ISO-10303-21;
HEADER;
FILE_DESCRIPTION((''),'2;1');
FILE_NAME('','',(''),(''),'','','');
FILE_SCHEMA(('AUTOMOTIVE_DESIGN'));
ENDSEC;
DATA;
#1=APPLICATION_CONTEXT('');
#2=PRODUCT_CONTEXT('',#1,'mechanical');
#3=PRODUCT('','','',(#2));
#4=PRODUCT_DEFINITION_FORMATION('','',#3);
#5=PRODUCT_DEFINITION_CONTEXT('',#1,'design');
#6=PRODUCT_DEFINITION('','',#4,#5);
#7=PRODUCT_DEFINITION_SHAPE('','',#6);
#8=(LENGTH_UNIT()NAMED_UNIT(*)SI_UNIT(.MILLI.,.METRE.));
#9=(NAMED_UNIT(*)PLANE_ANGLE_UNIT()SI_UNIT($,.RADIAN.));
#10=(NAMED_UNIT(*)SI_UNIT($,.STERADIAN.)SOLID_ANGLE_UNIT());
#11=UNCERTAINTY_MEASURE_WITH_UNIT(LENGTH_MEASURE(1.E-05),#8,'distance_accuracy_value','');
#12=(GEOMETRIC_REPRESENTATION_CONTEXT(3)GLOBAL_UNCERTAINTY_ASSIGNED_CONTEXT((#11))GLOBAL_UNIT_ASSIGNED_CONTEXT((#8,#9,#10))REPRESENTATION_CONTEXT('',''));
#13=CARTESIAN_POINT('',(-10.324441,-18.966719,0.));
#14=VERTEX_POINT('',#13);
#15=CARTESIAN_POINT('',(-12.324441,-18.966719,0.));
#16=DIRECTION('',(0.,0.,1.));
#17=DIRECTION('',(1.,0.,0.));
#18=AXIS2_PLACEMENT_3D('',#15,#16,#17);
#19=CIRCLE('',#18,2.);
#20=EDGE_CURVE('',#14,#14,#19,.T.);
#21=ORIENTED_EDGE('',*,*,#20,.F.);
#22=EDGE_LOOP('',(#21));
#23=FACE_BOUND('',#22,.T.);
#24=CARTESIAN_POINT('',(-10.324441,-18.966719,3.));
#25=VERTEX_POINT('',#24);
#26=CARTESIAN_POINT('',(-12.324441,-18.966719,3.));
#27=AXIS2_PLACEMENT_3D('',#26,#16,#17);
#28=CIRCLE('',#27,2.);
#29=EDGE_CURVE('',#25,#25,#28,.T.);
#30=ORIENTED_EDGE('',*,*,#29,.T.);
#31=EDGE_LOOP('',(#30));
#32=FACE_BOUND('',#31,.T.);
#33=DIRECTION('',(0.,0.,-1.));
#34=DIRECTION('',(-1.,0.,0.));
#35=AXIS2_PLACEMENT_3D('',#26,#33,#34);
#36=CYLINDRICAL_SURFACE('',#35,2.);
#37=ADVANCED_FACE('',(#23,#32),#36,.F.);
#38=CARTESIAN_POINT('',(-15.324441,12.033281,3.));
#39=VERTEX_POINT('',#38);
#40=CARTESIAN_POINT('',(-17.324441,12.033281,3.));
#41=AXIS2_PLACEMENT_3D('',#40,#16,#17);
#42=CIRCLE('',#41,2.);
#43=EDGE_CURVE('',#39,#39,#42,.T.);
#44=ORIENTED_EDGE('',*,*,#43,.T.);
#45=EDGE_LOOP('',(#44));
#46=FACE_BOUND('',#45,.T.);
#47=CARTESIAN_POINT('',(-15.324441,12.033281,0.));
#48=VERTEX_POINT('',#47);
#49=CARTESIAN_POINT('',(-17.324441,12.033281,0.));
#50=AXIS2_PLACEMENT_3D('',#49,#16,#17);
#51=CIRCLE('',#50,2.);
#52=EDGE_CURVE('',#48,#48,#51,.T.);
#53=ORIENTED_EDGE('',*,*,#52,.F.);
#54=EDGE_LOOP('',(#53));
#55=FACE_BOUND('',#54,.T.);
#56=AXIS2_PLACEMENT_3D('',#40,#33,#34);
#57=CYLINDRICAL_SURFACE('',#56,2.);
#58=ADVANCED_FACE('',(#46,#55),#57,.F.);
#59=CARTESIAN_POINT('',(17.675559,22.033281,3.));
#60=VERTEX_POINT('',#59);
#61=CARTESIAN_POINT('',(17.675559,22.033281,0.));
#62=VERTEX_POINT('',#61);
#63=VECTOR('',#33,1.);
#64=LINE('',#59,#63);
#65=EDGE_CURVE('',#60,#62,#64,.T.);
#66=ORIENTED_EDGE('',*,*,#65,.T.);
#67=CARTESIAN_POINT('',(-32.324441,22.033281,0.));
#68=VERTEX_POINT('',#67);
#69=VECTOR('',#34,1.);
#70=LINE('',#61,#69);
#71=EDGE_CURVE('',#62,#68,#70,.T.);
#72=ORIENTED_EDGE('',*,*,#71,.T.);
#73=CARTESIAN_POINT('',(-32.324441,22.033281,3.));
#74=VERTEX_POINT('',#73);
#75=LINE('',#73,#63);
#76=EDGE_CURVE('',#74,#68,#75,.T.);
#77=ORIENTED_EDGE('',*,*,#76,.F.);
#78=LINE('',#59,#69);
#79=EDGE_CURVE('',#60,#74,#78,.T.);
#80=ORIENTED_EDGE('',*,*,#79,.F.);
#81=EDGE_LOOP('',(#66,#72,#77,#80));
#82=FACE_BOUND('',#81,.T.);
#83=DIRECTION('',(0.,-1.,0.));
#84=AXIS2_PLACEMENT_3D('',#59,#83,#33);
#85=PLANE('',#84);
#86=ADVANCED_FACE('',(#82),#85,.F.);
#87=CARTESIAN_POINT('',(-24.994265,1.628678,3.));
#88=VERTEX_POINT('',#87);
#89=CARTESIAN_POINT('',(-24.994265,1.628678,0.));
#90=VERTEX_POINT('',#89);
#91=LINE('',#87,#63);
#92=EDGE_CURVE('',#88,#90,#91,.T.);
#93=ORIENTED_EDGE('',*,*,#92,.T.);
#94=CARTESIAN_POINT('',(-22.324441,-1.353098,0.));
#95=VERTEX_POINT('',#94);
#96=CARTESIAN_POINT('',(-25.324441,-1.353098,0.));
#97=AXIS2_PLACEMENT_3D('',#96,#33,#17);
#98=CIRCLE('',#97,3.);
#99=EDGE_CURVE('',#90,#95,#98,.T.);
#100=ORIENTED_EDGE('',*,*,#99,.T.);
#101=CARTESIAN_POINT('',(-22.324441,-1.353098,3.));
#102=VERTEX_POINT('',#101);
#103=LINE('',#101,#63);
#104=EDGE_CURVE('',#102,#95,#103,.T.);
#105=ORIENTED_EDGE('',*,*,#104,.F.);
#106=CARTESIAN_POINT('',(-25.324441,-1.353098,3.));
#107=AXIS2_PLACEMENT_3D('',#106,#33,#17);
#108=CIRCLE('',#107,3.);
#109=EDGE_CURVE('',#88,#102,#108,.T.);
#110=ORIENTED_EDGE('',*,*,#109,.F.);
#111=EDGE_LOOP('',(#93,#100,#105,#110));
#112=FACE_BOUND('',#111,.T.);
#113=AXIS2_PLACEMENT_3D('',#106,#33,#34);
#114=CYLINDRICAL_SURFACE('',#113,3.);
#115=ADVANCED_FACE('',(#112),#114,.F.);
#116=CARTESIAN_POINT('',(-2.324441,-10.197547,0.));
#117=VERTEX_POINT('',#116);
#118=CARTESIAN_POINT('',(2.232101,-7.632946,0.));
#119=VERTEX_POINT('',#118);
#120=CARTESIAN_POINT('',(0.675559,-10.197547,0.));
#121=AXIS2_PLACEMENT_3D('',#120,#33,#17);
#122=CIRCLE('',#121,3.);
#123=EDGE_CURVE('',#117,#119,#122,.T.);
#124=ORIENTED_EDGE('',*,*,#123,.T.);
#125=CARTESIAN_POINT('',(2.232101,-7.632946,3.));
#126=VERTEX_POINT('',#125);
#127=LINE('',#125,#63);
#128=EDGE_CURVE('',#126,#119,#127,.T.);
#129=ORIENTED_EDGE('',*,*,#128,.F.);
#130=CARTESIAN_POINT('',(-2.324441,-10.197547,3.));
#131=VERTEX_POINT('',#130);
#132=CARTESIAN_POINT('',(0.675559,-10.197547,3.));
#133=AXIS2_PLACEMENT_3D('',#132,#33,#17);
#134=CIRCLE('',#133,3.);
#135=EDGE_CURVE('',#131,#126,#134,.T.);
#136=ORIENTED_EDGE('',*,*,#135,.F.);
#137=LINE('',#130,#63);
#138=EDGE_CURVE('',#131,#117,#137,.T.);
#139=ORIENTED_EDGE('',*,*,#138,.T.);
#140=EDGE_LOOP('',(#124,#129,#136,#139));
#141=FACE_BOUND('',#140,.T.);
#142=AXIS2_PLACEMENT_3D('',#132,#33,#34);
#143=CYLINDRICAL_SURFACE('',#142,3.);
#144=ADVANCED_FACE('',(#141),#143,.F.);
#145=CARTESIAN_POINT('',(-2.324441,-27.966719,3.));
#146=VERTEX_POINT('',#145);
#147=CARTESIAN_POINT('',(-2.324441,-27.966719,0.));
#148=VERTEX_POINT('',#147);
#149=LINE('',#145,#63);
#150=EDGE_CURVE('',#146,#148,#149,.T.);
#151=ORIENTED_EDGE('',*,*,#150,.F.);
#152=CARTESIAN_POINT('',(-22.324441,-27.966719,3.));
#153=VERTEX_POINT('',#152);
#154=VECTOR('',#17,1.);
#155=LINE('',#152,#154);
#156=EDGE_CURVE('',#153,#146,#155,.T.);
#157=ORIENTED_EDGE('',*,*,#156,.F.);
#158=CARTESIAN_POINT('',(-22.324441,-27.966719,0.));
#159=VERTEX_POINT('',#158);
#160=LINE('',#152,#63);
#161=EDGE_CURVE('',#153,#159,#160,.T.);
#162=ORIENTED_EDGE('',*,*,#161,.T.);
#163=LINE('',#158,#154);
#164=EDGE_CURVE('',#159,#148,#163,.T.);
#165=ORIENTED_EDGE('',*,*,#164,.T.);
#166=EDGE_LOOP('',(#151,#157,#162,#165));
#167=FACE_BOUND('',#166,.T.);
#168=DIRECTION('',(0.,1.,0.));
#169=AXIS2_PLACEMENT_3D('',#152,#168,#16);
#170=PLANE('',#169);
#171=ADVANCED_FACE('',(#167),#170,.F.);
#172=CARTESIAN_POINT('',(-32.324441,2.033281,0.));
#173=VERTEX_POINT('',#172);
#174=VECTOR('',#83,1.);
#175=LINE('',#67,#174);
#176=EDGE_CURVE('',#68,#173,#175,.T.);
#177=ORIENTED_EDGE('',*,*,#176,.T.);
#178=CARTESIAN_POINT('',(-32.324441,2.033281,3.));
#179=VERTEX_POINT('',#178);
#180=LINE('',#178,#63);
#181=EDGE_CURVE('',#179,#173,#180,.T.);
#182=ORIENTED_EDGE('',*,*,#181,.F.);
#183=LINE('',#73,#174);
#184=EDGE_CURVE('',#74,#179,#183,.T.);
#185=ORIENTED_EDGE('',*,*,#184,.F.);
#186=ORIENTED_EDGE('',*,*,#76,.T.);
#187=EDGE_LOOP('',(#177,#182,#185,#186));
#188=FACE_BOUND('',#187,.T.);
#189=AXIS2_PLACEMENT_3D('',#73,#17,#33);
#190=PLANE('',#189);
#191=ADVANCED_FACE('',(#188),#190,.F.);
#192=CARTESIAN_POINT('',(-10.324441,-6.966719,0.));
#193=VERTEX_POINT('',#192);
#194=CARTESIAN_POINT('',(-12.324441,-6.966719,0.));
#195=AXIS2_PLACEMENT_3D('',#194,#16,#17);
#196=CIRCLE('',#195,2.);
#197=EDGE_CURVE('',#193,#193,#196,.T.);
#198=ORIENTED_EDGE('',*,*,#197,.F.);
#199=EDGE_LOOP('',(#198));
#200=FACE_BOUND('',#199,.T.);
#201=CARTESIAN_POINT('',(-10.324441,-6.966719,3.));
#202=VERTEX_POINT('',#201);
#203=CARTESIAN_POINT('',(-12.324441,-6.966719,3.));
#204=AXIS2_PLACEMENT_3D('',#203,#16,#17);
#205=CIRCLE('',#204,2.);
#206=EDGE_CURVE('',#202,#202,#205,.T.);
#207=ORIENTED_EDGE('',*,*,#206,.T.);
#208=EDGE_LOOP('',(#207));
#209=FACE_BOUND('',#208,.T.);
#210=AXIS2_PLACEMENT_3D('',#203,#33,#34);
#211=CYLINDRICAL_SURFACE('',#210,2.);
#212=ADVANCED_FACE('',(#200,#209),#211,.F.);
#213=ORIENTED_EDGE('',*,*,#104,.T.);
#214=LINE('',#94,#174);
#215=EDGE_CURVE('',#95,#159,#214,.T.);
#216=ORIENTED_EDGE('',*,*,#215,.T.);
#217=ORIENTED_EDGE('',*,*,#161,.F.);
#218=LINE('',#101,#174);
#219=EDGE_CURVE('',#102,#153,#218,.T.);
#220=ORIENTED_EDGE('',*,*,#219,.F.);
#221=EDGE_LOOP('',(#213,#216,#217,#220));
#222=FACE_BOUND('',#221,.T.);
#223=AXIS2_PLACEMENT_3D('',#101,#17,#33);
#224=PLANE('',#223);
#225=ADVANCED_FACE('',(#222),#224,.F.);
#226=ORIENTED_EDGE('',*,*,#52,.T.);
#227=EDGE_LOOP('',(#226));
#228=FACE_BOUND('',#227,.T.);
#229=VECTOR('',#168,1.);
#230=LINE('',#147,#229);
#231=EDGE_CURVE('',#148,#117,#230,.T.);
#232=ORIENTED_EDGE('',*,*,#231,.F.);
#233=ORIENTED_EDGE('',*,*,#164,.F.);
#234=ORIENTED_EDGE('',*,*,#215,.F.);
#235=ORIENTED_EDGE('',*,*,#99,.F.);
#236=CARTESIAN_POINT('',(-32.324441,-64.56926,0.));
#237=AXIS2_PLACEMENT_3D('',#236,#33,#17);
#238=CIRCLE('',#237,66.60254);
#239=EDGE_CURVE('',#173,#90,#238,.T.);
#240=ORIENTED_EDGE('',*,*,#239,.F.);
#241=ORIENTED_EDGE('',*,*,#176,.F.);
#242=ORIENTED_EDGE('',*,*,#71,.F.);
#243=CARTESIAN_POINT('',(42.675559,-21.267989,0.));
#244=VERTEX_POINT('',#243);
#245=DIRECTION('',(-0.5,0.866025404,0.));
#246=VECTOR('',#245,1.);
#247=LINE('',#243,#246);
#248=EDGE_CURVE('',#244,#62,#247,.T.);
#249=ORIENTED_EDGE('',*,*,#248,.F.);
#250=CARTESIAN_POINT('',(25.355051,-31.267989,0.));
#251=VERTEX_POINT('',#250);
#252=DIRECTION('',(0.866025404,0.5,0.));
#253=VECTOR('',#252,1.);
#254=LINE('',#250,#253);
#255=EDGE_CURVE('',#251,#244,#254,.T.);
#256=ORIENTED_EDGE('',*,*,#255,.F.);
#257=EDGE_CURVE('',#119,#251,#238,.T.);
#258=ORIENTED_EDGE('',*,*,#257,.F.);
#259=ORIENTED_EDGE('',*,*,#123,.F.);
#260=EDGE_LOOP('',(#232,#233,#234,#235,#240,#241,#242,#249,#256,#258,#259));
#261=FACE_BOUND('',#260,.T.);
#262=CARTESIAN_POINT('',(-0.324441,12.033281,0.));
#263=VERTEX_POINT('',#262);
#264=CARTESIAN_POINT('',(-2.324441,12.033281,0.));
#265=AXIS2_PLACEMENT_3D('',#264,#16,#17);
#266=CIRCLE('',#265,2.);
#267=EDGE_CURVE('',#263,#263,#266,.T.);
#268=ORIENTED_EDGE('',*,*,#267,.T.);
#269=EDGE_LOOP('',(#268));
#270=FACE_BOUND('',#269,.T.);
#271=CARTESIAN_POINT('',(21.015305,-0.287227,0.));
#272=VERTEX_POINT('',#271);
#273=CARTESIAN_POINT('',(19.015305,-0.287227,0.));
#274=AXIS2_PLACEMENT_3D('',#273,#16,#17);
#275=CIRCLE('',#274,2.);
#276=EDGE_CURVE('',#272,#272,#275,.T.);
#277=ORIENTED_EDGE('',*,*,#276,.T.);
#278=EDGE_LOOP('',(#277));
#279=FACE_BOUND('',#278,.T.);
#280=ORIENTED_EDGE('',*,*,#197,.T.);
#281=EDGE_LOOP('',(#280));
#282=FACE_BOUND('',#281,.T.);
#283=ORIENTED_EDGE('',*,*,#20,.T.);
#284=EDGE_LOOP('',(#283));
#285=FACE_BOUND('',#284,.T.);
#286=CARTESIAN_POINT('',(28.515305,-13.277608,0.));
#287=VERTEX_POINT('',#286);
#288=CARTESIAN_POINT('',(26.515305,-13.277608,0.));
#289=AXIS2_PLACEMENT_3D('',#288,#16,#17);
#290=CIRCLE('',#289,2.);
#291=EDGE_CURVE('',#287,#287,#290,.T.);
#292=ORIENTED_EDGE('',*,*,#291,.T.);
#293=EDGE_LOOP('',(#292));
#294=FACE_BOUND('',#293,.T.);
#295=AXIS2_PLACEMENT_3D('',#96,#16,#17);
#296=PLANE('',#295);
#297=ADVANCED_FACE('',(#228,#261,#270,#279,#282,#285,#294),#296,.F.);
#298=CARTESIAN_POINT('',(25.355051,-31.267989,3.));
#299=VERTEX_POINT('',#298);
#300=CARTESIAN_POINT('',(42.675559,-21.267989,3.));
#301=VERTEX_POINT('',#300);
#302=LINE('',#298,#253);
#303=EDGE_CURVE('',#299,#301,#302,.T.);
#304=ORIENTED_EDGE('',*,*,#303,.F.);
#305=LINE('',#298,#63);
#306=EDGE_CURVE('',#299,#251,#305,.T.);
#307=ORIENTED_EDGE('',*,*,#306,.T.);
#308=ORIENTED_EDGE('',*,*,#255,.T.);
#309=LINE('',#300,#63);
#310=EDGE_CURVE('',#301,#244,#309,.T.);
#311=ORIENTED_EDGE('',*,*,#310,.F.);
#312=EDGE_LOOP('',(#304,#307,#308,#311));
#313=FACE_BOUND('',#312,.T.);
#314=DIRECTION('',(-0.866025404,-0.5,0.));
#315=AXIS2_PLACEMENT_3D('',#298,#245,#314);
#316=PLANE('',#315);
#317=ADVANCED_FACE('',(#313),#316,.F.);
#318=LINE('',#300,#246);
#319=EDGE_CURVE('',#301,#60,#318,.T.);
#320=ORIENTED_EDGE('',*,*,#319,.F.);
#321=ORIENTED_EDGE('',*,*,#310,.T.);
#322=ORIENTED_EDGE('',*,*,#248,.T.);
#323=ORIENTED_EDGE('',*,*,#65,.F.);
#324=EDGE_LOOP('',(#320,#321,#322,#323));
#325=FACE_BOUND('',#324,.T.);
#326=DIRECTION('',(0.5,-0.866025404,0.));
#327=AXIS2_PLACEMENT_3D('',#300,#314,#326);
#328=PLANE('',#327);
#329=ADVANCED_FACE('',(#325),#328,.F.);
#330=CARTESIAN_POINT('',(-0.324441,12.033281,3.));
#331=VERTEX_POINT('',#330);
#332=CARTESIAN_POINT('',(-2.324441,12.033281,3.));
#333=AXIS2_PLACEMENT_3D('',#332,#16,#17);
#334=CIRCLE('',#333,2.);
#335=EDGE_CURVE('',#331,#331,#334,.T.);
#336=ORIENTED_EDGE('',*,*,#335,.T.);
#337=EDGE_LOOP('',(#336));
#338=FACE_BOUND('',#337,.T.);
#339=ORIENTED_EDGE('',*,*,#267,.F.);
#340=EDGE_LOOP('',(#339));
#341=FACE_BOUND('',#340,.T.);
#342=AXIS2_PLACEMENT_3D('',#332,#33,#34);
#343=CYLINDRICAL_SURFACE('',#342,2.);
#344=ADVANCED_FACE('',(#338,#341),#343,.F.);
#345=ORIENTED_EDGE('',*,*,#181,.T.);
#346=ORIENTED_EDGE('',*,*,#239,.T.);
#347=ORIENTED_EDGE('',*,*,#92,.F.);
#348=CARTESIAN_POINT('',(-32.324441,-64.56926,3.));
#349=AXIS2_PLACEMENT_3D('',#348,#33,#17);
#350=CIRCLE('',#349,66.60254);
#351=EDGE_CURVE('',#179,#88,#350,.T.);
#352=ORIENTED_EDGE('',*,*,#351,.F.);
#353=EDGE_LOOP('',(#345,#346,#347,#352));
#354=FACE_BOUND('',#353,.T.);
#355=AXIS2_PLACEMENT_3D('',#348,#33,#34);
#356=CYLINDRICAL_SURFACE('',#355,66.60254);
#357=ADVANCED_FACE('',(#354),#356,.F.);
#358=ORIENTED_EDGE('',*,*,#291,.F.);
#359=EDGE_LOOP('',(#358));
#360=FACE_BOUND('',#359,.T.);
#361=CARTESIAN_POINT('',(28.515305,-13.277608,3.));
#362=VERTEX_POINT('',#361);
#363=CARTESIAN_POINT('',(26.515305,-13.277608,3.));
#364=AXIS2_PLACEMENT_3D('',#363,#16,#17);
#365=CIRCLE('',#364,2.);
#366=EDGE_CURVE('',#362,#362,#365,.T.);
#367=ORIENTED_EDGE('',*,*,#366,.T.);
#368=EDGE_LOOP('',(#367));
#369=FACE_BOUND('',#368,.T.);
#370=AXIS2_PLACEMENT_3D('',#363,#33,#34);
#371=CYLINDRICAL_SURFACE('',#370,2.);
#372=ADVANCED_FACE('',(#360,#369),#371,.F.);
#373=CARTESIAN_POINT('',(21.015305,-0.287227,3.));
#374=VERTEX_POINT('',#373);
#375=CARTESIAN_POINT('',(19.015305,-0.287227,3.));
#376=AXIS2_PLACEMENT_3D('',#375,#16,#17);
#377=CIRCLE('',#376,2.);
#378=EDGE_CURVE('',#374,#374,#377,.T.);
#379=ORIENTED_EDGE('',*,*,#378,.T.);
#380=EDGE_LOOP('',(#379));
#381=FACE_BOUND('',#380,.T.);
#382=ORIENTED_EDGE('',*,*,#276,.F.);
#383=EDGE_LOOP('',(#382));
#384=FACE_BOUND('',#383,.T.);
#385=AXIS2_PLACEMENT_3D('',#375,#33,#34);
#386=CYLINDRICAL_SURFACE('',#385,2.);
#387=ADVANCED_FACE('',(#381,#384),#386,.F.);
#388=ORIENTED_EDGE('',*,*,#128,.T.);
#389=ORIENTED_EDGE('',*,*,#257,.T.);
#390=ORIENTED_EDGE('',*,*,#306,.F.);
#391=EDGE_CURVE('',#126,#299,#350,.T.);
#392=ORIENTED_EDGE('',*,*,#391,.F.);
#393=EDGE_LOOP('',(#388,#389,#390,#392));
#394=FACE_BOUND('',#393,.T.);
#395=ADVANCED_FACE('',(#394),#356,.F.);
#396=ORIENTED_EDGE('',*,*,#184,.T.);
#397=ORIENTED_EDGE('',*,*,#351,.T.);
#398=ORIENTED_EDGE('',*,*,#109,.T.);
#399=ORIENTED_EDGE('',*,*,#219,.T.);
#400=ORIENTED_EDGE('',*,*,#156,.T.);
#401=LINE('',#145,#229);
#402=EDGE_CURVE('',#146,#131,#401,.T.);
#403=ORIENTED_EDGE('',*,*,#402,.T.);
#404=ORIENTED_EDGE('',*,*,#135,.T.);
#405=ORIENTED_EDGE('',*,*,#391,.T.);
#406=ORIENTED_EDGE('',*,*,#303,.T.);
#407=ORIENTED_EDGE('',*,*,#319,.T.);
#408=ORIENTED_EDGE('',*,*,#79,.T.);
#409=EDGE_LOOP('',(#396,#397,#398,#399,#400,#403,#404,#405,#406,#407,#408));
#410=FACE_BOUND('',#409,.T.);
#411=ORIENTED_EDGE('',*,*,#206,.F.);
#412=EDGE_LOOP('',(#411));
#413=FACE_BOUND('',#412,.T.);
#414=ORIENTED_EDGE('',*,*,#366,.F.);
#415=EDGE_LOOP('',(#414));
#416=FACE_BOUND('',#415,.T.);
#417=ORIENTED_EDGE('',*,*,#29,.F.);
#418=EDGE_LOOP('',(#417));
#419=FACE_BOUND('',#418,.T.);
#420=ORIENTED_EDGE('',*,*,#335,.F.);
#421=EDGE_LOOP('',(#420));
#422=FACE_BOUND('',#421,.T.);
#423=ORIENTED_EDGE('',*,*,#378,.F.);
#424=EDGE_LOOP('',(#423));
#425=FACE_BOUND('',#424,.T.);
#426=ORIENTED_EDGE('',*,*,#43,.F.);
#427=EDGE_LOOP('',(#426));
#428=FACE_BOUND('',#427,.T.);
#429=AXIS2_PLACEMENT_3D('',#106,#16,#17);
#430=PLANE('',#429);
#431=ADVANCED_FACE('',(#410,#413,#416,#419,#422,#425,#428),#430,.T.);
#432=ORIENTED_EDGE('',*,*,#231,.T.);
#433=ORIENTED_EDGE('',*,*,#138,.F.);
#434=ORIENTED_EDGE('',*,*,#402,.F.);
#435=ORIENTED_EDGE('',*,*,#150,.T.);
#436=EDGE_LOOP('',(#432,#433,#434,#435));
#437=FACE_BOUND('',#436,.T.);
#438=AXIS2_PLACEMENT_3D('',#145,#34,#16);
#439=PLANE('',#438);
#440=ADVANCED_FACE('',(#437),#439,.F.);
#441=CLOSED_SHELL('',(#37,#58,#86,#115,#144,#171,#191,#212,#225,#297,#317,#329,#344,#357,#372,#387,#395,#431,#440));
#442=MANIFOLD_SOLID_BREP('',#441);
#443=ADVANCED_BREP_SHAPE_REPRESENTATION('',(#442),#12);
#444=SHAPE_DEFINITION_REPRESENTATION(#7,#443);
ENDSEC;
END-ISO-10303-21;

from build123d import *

# Parameters (mm, degrees)
SKETCH_1_R      = 2
EXTRUDE_1_DEPTH = 3


with BuildPart() as part:
    # 草图1 → 凸台-拉伸1 (new body)
    with BuildSketch(Plane.XY):
        with BuildLine():
            Line((-22.324440756, -1.353097581), (-22.324440756, -27.966719239))
            Line((-22.324440756, -27.966719239), (-2.324440756, -27.966719239))
            Line((-2.324440756, -27.966719239), (-2.324440756, -10.197546911))
            ThreePointArc((-2.324440756, -10.197546911), (-0.7958984, -7.583199497), (2.232100844, -7.632945919))
            ThreePointArc((2.232100844, -7.632945919), (15.283597331, -17.99273018), (25.355051168, -31.267989428))
            Line((25.355051168, -31.267989428), (42.675559244, -21.267989428))
            Line((42.675559244, -21.267989428), (17.675559244, 22.033280761))
            Line((17.675559244, 22.033280761), (-32.324440756, 22.033280761))
            Line((-32.324440756, 22.033280761), (-32.324440756, 2.033280761))
            ThreePointArc((-32.324440756, 2.033280761), (-28.653774048, 1.932053083), (-24.994265265, 1.628677754))
            ThreePointArc((-24.994265265, 1.628677754), (-23.089432202, 0.64808626), (-22.324440756, -1.353097581))
        make_face()
        with Locations((-17.324440756, 12.033280761)):
            Circle(SKETCH_1_R, mode=Mode.SUBTRACT)
        with Locations((-2.324440756, 12.033280761)):
            Circle(SKETCH_1_R, mode=Mode.SUBTRACT)
        with Locations((19.015305206, -0.287227314)):
            Circle(SKETCH_1_R, mode=Mode.SUBTRACT)
        with Locations((26.515305206, -13.277608371)):
            Circle(SKETCH_1_R, mode=Mode.SUBTRACT)
        with Locations((-12.324440756, -18.966719239)):
            Circle(SKETCH_1_R, mode=Mode.SUBTRACT)
        with Locations((-12.324440756, -6.966719239)):
            Circle(SKETCH_1_R, mode=Mode.SUBTRACT)
    extrude(amount=EXTRUDE_1_DEPTH)


solid = part.part
